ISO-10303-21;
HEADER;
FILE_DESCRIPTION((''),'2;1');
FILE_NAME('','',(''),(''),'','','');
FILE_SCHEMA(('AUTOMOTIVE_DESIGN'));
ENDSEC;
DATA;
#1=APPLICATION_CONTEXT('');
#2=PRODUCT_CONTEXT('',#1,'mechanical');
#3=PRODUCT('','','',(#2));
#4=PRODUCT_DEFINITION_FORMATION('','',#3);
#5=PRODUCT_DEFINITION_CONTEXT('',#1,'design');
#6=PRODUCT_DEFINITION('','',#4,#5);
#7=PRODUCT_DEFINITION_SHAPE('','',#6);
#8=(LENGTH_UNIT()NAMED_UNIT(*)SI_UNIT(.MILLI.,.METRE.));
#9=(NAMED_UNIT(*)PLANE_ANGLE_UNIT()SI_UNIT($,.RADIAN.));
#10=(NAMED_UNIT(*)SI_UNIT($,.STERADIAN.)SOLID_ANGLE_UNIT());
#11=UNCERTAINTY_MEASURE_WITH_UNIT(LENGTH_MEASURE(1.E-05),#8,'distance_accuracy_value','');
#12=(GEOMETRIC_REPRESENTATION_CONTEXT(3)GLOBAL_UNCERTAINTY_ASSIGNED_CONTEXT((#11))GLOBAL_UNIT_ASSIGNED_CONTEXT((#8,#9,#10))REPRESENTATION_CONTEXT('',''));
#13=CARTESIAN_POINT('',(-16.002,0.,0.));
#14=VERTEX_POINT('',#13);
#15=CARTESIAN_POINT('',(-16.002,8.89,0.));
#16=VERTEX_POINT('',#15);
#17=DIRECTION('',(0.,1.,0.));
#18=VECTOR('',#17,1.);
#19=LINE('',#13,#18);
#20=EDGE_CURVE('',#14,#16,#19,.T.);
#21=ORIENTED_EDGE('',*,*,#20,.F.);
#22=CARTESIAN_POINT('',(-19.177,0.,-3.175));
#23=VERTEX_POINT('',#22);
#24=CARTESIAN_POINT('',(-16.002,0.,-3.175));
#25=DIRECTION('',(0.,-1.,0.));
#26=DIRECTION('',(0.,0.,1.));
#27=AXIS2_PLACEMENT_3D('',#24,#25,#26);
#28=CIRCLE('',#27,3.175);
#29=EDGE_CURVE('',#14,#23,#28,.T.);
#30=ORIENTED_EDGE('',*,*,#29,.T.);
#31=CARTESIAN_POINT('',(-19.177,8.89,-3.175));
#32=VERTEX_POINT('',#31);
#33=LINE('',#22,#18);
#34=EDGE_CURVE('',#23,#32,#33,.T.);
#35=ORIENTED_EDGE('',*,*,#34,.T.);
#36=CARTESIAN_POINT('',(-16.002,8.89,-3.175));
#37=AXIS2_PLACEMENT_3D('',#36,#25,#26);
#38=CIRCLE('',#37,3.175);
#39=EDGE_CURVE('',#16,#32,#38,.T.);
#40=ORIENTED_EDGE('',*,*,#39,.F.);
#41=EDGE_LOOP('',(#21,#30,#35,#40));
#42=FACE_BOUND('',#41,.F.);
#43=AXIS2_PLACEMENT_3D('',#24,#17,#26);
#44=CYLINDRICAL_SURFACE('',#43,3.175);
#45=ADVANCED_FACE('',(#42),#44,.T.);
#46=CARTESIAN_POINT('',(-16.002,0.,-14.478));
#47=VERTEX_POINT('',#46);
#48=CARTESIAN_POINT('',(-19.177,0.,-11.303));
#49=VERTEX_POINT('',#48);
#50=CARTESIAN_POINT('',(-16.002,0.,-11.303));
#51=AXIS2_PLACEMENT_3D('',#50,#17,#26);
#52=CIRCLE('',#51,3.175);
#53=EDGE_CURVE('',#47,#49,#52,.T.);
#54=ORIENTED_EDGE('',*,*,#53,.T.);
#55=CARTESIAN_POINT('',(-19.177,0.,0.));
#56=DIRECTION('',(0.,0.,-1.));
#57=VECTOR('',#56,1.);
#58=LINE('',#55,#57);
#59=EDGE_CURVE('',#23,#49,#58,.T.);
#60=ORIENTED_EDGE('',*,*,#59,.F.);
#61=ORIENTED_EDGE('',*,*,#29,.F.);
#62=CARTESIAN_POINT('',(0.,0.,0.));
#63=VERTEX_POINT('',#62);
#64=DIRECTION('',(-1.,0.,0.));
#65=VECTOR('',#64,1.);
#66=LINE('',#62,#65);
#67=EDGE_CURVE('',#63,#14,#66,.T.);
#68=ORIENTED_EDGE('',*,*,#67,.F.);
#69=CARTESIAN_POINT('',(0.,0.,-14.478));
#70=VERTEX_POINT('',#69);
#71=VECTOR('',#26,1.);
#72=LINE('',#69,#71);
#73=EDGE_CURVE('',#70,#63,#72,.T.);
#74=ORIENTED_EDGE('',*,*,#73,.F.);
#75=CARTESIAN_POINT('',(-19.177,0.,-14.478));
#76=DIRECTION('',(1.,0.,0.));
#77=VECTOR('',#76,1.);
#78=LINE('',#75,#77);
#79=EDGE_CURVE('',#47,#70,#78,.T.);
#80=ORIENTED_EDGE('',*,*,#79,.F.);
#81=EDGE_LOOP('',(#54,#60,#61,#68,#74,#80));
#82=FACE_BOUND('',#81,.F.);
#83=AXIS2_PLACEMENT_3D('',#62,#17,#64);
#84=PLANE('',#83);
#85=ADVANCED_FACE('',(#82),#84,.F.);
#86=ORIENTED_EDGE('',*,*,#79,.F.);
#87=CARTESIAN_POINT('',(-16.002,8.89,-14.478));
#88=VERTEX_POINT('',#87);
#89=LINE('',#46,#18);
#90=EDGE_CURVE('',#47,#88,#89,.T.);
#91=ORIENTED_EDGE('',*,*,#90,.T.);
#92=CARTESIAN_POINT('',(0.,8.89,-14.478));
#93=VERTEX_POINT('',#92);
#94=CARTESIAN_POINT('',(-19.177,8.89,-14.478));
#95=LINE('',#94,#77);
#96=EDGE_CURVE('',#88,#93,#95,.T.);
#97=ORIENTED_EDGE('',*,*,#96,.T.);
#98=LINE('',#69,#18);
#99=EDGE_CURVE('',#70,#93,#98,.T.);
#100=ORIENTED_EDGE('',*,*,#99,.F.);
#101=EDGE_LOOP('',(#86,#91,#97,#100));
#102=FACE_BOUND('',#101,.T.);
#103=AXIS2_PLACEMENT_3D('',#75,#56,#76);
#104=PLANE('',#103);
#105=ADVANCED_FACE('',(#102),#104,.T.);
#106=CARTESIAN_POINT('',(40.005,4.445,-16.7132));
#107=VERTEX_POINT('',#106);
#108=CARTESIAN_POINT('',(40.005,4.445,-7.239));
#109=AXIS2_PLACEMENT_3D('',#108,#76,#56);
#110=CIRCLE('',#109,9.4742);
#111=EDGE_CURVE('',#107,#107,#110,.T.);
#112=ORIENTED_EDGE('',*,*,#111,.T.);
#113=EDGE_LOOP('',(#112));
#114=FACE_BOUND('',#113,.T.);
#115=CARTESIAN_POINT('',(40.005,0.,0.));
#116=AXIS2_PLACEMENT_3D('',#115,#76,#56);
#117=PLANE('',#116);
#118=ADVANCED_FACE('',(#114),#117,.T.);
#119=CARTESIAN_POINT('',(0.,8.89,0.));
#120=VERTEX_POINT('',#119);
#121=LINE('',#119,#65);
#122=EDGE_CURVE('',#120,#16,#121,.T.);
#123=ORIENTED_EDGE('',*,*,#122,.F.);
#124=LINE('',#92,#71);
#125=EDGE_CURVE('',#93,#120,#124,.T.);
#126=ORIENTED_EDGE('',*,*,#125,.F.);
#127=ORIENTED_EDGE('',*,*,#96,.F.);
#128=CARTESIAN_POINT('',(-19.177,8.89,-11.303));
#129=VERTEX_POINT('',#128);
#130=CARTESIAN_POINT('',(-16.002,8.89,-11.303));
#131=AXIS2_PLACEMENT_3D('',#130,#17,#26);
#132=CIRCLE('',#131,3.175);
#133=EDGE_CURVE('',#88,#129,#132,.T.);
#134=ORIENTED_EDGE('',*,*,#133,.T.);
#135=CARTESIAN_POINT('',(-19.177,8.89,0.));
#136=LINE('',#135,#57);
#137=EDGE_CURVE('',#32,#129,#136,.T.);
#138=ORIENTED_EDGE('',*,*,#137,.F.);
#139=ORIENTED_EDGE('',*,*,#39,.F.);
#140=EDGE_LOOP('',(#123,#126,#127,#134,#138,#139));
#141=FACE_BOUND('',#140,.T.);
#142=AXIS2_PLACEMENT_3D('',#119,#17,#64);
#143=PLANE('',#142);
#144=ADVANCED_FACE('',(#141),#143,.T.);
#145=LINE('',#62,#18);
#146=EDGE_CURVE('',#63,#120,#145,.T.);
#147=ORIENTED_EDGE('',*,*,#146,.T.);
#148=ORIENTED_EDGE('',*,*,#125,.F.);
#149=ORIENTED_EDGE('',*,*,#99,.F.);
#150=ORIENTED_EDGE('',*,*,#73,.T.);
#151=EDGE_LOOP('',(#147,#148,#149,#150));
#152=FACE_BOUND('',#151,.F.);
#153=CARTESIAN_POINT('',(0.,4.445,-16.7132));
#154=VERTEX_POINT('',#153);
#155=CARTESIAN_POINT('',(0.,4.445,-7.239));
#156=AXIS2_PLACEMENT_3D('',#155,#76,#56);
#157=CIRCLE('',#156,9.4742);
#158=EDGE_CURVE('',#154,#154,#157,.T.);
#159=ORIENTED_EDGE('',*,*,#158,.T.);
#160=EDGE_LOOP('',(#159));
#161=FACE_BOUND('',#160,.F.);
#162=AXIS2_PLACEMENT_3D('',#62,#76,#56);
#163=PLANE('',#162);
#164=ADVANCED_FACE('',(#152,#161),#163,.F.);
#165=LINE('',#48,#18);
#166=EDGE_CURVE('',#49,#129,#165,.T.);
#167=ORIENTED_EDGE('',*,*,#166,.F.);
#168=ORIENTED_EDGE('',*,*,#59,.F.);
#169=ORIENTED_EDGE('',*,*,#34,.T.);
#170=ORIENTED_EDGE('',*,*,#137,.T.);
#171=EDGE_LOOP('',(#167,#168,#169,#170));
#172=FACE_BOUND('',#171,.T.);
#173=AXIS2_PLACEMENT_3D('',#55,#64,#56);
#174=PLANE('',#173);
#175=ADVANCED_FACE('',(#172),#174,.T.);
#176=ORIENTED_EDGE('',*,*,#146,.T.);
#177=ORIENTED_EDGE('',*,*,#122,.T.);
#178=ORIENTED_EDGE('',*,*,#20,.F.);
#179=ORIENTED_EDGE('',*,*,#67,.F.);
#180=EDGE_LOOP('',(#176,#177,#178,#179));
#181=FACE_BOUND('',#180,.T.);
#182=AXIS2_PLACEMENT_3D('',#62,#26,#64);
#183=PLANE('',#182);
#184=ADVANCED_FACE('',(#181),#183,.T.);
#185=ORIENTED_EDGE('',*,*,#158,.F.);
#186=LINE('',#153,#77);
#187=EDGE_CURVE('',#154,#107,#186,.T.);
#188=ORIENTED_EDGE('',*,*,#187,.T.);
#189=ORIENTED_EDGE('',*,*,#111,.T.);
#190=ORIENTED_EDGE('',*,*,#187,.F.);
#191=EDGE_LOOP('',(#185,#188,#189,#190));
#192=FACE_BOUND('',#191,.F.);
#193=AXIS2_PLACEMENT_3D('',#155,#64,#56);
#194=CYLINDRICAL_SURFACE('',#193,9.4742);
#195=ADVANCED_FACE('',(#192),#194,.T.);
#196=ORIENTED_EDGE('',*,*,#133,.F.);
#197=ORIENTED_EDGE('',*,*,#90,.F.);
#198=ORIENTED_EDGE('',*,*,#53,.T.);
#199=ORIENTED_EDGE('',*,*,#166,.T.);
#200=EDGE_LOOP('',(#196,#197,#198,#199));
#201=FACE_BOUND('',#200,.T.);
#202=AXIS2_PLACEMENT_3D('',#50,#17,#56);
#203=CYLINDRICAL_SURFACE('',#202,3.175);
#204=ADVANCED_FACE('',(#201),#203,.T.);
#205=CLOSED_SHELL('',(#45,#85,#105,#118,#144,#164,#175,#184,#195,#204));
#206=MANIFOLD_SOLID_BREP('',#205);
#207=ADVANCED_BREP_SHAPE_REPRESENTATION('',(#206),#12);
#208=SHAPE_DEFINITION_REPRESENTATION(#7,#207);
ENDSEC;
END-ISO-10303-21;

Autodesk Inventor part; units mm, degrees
ref_plane "YZ Plane" through (0, 0, 0) normal (1, 0, 0) x (0, 1, 0)
ref_plane "XZ Plane" through (0, 0, 0) normal (0, 1, 0) x (-1, 0, 0)
ref_plane "XY Plane" through (0, 0, 0) normal (0, 0, 1) x (1, 0, 0)
sketch "Sketch1" plane through (0, 0, 0) normal (0, 1, 0) x (-1, 0, 0)
  line L0 (0, 0) -> (19.177, 0)
  line L1 (19.177, 0) -> (19.177, -14.478)
  line L2 (19.177, -14.478) -> (0, -14.478)
  line L3 (0, -14.478) -> (0, 0)
  dimension "d0" = 19.177
  dimension "d1" = 14.478
extrude "Extrusion1" add sketch "Sketch1" along normal blind 8.89
sketch "Sketch2" plane through (0, 0, 0) normal (1, 0, 0) x (0, 0, -1)
  circle A0 centre (7.239, 4.445) radius 9.4742
  line L0 (0, 8.89) -> (14.478, 8.89) projected
  line L1 (0, 0) -> (0, 8.89) projected
  line L2 (14.478, 0) -> (0, 0) projected
  line L3 (0, 0) -> (0, 8.89) projected
  point P0 (7.239, 0)
  point P1 (0, 4.445)
  dimension "d4" = 18.9484
  dimension "d9" = 0
  dimension "d10" = 0
extrude "Extrusion2" add sketch "Sketch2" along normal blind 40.005
fillet "Fillet1" radius 3.175 2 edges at (-19.177, 4.445, 0) (-19.177, 4.445, -14.478)
properties part number "Part6 x 2"
